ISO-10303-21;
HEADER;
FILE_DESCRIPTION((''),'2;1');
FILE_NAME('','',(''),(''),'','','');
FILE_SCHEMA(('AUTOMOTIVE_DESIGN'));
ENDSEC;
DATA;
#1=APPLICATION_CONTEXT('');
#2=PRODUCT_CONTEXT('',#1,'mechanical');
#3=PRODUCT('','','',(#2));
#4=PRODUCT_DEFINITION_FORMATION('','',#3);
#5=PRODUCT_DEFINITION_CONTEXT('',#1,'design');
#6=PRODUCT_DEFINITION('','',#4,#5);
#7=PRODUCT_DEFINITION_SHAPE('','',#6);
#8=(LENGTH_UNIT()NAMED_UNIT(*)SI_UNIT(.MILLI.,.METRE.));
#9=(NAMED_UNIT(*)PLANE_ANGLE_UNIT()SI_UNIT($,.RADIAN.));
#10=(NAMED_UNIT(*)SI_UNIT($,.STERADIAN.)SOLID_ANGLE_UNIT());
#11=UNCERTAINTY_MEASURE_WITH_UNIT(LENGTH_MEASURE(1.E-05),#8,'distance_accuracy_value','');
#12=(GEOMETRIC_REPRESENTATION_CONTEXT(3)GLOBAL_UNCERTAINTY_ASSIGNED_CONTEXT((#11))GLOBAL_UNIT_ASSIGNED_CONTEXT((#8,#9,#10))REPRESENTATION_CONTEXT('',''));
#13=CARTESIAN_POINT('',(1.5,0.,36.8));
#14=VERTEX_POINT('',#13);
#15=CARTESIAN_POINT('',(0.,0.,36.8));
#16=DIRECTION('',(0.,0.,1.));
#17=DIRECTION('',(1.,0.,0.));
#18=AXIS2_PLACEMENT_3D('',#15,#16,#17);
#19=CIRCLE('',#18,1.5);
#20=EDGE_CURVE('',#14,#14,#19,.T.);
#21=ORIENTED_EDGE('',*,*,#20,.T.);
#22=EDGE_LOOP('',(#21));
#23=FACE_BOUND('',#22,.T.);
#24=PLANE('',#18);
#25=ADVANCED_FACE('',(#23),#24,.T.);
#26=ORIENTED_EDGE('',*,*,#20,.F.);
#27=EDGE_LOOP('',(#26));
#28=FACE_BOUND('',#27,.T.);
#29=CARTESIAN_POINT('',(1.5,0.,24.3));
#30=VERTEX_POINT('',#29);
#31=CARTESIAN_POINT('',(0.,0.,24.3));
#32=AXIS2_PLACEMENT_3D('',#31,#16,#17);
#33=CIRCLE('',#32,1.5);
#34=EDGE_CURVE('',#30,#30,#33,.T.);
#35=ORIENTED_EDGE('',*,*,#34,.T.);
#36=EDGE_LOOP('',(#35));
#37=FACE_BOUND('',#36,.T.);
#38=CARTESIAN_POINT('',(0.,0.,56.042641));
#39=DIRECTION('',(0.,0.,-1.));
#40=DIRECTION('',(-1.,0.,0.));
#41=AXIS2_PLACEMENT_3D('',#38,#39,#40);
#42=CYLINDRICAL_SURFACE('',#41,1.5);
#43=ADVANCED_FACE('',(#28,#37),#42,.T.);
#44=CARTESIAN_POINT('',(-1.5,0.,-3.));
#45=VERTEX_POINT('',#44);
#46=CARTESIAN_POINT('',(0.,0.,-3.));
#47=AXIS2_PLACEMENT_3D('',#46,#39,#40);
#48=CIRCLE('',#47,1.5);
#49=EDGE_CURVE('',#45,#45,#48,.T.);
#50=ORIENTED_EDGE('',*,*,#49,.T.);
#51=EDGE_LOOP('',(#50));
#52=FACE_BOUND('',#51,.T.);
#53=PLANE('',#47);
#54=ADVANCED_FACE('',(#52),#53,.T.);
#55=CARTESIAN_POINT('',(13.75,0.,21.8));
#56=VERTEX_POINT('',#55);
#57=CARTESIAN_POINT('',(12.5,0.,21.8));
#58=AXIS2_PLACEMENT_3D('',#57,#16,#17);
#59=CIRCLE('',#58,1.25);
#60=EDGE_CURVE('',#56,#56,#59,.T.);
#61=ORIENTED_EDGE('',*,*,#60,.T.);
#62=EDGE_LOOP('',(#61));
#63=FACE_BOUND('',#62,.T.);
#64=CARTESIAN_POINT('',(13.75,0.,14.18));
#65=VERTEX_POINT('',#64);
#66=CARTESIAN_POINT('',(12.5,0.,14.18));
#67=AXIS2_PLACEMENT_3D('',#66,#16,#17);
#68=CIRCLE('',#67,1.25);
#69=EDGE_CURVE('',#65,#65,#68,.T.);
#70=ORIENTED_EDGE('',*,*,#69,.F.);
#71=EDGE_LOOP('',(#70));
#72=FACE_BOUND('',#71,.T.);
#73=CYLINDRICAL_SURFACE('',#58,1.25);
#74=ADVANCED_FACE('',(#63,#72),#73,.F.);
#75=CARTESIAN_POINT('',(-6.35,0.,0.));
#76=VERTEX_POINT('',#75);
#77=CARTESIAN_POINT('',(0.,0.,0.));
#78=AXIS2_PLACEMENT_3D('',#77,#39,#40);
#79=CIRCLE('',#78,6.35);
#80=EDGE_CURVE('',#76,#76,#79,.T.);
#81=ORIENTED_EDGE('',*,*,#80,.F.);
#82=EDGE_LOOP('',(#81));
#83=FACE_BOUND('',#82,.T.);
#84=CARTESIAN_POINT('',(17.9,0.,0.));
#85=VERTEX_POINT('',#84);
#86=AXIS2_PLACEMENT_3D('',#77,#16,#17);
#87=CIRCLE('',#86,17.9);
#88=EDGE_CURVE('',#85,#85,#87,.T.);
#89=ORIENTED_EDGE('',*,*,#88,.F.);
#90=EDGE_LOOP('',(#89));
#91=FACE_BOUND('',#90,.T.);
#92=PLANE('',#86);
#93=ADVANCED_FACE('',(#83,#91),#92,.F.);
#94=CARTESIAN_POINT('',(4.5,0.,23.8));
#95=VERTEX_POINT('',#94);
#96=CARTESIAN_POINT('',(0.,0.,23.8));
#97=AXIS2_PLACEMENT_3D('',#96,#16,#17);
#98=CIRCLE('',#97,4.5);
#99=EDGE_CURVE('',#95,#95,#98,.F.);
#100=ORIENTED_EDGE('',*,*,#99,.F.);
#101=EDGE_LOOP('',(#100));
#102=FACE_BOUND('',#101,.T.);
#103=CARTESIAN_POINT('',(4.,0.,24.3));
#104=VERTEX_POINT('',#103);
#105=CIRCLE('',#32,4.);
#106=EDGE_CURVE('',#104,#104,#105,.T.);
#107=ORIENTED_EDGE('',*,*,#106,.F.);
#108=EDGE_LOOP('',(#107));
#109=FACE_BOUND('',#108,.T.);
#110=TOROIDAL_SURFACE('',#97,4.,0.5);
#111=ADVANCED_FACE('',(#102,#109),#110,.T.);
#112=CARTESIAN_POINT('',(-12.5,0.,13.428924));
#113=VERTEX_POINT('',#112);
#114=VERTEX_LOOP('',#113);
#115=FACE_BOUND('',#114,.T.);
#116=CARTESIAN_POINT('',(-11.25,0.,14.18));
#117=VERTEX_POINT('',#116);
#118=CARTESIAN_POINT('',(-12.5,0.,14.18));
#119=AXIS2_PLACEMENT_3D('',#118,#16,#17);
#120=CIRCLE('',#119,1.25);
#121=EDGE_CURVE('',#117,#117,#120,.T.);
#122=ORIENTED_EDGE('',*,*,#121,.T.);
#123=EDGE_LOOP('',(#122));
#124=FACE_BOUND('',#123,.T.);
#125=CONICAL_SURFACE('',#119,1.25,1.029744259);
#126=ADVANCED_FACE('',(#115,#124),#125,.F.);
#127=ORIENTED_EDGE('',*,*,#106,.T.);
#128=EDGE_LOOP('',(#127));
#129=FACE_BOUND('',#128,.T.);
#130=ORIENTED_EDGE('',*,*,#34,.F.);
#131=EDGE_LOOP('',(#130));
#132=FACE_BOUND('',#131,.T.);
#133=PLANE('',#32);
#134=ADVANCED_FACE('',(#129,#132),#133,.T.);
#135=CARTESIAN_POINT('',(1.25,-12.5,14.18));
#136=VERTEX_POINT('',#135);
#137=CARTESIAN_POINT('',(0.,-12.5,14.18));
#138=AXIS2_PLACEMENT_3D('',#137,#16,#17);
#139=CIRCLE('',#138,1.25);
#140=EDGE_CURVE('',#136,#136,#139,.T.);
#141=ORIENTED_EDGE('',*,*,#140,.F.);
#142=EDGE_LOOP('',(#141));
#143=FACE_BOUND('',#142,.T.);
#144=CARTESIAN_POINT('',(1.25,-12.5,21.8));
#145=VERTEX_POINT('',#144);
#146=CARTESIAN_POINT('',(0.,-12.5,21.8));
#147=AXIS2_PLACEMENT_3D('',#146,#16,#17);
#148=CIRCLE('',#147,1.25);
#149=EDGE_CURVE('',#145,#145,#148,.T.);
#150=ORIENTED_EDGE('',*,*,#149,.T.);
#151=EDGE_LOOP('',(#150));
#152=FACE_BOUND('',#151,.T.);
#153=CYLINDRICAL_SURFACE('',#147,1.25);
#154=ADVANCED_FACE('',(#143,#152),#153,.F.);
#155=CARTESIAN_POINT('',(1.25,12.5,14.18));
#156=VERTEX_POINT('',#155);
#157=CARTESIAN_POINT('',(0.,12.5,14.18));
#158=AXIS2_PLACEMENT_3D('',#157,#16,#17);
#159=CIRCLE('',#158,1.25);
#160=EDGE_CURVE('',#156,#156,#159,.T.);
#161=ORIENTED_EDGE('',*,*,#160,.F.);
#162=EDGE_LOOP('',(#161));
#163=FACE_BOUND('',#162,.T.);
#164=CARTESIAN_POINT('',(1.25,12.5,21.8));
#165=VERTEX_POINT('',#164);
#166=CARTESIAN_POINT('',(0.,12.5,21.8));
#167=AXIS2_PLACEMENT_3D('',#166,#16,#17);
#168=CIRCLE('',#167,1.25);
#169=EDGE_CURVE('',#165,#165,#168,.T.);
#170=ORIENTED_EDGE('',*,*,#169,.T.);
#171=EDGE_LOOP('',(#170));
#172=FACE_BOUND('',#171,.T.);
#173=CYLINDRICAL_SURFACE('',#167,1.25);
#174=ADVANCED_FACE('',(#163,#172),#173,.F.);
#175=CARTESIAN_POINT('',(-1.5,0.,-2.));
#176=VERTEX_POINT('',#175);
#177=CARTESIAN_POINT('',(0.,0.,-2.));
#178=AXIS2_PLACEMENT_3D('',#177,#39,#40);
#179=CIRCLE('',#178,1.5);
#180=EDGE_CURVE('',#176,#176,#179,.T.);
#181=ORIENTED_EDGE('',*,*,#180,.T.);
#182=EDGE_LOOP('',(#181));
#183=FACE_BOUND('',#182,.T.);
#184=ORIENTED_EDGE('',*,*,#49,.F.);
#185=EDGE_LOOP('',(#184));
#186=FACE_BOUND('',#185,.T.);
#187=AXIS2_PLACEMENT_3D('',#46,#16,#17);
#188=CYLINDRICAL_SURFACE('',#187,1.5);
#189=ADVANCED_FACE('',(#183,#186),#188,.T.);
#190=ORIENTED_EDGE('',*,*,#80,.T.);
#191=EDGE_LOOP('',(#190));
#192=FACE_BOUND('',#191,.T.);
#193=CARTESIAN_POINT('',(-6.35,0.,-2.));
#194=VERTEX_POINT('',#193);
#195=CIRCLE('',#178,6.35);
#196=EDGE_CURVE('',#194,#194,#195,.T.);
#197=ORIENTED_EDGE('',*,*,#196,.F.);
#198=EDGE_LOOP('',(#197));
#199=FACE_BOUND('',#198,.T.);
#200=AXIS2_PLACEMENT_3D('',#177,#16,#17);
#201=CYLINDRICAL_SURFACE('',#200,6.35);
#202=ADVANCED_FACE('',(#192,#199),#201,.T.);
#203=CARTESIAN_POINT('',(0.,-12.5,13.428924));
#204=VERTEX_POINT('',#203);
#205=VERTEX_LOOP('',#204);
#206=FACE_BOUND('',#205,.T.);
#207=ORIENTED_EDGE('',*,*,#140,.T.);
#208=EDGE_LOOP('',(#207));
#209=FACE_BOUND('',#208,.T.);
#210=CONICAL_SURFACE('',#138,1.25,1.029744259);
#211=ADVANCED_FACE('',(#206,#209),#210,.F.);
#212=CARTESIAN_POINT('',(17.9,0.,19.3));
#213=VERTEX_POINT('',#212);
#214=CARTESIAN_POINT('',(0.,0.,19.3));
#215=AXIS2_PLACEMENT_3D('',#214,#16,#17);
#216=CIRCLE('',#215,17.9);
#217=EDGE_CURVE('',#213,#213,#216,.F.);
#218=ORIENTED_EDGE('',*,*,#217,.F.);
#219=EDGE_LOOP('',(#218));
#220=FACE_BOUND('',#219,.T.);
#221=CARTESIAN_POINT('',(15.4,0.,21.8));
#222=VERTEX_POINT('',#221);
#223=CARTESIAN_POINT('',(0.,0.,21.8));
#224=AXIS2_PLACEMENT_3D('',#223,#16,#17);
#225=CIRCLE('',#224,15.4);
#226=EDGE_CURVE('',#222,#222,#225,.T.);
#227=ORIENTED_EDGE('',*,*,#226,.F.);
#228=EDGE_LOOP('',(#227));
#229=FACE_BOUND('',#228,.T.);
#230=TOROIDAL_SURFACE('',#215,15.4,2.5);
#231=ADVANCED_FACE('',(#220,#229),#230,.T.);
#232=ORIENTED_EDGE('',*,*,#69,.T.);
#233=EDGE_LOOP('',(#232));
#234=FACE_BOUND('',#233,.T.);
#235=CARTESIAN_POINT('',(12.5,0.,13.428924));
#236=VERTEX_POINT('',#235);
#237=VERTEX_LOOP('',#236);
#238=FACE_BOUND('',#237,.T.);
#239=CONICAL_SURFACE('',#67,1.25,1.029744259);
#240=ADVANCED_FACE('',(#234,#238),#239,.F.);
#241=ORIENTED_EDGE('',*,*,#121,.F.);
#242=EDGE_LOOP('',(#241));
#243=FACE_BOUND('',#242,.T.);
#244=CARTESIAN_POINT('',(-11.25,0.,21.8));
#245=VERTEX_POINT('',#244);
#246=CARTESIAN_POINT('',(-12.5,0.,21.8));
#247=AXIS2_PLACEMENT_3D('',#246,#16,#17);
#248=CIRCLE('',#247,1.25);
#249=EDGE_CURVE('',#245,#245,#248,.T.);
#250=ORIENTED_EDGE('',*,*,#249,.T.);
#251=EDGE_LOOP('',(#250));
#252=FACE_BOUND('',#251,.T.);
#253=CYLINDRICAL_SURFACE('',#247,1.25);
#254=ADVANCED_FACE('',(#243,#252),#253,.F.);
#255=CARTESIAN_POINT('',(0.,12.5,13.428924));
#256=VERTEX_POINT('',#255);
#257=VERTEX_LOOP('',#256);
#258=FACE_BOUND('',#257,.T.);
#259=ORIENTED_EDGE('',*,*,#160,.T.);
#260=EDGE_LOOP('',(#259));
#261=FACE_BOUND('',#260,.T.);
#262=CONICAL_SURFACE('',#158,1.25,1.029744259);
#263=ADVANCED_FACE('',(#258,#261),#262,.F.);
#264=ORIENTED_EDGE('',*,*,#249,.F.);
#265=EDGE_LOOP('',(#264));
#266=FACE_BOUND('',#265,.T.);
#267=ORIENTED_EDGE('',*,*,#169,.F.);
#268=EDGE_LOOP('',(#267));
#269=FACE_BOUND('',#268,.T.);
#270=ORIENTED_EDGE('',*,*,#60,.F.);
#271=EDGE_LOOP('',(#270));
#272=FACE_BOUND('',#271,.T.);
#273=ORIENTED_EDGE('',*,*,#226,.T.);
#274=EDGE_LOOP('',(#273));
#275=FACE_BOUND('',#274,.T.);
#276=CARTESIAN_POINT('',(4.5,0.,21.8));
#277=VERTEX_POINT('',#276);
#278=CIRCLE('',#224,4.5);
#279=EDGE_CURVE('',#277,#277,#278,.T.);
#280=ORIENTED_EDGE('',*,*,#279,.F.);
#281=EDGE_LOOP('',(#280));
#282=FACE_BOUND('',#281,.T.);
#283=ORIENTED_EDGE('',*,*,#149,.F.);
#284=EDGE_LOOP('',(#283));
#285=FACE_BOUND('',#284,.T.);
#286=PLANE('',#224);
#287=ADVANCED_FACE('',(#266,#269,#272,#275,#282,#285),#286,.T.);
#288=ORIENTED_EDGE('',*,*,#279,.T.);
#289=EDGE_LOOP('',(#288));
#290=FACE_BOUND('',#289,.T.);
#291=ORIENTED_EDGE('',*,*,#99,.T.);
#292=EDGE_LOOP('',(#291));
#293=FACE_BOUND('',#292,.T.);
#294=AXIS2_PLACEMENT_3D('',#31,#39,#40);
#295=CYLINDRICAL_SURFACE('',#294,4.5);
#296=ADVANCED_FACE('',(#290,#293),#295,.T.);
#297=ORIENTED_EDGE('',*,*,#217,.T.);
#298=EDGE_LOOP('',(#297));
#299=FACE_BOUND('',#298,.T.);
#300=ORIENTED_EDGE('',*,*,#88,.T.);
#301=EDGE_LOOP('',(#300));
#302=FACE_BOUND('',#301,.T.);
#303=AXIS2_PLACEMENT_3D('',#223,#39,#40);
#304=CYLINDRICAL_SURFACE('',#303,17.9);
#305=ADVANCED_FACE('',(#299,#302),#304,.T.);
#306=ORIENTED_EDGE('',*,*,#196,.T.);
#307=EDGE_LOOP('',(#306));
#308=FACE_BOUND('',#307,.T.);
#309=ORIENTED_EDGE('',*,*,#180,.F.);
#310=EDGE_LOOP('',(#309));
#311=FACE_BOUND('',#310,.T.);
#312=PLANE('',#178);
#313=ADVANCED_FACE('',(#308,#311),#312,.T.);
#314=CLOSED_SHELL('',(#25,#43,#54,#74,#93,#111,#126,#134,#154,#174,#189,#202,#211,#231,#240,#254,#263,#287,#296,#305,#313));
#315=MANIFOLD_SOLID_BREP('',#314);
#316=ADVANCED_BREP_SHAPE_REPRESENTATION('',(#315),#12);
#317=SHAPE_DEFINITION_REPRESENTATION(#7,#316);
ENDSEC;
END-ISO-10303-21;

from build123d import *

# Parameters (mm, degrees)
SKETCH1_R                 = 17.9
BOSS_EXTRUDE1_DEPTH       = 21.8
FILLET1_R                 = 2.5
SKETCH2_R                 = 4.5
BOSS_EXTRUDE2_DEPTH       = 2.5
FILLET2_R                 = 0.5
M3X0_5_TAPPED_HOLE1_D     = 2.5
M3X0_5_TAPPED_HOLE1_DEPTH = 7.62
M3X0_5_TAPPED_HOLE1_TIP   = 0.751075774
SKETCH5_R                 = 1.5
BOSS_EXTRUDE3_DEPTH       = 12.5
SKETCH6_R                 = 6.35
BOSS_EXTRUDE4_DEPTH       = 2
BOSS_EXTRUDE5_START       = 1
SKETCH7_R                 = 1.5
BOSS_EXTRUDE5_DEPTH       = 1


with BuildPart() as part:
    # Sketch1 → Boss-Extrude1 (new body)
    with BuildSketch(Plane.XY):
        Circle(SKETCH1_R)
    extrude(amount=BOSS_EXTRUDE1_DEPTH)

    # Fillet1
    fillet1_edges = [part.edges().sort_by_distance(p)[0] for p in [
        (-17.9, 0, 21.8),
    ]]
    fillet(fillet1_edges, radius=FILLET1_R)

    # Sketch2 → Boss-Extrude2 (add)
    with BuildSketch(Plane.XY.offset(21.8)):
        Circle(SKETCH2_R)
    extrude(amount=BOSS_EXTRUDE2_DEPTH)

    # Fillet2
    fillet2_edges = [part.edges().sort_by_distance(p)[0] for p in [
        (-4.5, 0, 24.3),
    ]]
    fillet(fillet2_edges, radius=FILLET2_R)

    # M3x0.5 Tapped Hole1
    with Locations(Plane.XY.offset(21.8)):
        with Locations((0, 12.5), (0, -12.5), (12.5, 0), (-12.5, 0)):
            Hole(M3X0_5_TAPPED_HOLE1_D / 2, depth=M3X0_5_TAPPED_HOLE1_DEPTH)
            with Locations((0, 0, -(M3X0_5_TAPPED_HOLE1_DEPTH + M3X0_5_TAPPED_HOLE1_TIP / 2))):  # 118° drill point
                Cone(0, M3X0_5_TAPPED_HOLE1_D / 2, M3X0_5_TAPPED_HOLE1_TIP, mode=Mode.SUBTRACT)

    # Sketch5 → Boss-Extrude3 (add)
    with BuildSketch(Plane.XY.offset(24.3)):
        Circle(SKETCH5_R)
    extrude(amount=BOSS_EXTRUDE3_DEPTH)

    # Sketch6 → Boss-Extrude4 (add)
    with BuildSketch(Plane(origin=(0, 0, 0), x_dir=(-1, 0, 0), z_dir=(0, 0, -1))):
        Circle(SKETCH6_R)
    extrude(amount=BOSS_EXTRUDE4_DEPTH)

    # Sketch7 → Boss-Extrude5 (add)
    with BuildSketch(Plane(origin=(0, 0, -2), x_dir=(-1, 0, 0), z_dir=(0, 0, -1)).offset(BOSS_EXTRUDE5_START)):
        with Locations(Location((0, 0, 0), (0, 0, 180))):
            Circle(SKETCH7_R)
    extrude(amount=-BOSS_EXTRUDE5_DEPTH)


solid = part.part
